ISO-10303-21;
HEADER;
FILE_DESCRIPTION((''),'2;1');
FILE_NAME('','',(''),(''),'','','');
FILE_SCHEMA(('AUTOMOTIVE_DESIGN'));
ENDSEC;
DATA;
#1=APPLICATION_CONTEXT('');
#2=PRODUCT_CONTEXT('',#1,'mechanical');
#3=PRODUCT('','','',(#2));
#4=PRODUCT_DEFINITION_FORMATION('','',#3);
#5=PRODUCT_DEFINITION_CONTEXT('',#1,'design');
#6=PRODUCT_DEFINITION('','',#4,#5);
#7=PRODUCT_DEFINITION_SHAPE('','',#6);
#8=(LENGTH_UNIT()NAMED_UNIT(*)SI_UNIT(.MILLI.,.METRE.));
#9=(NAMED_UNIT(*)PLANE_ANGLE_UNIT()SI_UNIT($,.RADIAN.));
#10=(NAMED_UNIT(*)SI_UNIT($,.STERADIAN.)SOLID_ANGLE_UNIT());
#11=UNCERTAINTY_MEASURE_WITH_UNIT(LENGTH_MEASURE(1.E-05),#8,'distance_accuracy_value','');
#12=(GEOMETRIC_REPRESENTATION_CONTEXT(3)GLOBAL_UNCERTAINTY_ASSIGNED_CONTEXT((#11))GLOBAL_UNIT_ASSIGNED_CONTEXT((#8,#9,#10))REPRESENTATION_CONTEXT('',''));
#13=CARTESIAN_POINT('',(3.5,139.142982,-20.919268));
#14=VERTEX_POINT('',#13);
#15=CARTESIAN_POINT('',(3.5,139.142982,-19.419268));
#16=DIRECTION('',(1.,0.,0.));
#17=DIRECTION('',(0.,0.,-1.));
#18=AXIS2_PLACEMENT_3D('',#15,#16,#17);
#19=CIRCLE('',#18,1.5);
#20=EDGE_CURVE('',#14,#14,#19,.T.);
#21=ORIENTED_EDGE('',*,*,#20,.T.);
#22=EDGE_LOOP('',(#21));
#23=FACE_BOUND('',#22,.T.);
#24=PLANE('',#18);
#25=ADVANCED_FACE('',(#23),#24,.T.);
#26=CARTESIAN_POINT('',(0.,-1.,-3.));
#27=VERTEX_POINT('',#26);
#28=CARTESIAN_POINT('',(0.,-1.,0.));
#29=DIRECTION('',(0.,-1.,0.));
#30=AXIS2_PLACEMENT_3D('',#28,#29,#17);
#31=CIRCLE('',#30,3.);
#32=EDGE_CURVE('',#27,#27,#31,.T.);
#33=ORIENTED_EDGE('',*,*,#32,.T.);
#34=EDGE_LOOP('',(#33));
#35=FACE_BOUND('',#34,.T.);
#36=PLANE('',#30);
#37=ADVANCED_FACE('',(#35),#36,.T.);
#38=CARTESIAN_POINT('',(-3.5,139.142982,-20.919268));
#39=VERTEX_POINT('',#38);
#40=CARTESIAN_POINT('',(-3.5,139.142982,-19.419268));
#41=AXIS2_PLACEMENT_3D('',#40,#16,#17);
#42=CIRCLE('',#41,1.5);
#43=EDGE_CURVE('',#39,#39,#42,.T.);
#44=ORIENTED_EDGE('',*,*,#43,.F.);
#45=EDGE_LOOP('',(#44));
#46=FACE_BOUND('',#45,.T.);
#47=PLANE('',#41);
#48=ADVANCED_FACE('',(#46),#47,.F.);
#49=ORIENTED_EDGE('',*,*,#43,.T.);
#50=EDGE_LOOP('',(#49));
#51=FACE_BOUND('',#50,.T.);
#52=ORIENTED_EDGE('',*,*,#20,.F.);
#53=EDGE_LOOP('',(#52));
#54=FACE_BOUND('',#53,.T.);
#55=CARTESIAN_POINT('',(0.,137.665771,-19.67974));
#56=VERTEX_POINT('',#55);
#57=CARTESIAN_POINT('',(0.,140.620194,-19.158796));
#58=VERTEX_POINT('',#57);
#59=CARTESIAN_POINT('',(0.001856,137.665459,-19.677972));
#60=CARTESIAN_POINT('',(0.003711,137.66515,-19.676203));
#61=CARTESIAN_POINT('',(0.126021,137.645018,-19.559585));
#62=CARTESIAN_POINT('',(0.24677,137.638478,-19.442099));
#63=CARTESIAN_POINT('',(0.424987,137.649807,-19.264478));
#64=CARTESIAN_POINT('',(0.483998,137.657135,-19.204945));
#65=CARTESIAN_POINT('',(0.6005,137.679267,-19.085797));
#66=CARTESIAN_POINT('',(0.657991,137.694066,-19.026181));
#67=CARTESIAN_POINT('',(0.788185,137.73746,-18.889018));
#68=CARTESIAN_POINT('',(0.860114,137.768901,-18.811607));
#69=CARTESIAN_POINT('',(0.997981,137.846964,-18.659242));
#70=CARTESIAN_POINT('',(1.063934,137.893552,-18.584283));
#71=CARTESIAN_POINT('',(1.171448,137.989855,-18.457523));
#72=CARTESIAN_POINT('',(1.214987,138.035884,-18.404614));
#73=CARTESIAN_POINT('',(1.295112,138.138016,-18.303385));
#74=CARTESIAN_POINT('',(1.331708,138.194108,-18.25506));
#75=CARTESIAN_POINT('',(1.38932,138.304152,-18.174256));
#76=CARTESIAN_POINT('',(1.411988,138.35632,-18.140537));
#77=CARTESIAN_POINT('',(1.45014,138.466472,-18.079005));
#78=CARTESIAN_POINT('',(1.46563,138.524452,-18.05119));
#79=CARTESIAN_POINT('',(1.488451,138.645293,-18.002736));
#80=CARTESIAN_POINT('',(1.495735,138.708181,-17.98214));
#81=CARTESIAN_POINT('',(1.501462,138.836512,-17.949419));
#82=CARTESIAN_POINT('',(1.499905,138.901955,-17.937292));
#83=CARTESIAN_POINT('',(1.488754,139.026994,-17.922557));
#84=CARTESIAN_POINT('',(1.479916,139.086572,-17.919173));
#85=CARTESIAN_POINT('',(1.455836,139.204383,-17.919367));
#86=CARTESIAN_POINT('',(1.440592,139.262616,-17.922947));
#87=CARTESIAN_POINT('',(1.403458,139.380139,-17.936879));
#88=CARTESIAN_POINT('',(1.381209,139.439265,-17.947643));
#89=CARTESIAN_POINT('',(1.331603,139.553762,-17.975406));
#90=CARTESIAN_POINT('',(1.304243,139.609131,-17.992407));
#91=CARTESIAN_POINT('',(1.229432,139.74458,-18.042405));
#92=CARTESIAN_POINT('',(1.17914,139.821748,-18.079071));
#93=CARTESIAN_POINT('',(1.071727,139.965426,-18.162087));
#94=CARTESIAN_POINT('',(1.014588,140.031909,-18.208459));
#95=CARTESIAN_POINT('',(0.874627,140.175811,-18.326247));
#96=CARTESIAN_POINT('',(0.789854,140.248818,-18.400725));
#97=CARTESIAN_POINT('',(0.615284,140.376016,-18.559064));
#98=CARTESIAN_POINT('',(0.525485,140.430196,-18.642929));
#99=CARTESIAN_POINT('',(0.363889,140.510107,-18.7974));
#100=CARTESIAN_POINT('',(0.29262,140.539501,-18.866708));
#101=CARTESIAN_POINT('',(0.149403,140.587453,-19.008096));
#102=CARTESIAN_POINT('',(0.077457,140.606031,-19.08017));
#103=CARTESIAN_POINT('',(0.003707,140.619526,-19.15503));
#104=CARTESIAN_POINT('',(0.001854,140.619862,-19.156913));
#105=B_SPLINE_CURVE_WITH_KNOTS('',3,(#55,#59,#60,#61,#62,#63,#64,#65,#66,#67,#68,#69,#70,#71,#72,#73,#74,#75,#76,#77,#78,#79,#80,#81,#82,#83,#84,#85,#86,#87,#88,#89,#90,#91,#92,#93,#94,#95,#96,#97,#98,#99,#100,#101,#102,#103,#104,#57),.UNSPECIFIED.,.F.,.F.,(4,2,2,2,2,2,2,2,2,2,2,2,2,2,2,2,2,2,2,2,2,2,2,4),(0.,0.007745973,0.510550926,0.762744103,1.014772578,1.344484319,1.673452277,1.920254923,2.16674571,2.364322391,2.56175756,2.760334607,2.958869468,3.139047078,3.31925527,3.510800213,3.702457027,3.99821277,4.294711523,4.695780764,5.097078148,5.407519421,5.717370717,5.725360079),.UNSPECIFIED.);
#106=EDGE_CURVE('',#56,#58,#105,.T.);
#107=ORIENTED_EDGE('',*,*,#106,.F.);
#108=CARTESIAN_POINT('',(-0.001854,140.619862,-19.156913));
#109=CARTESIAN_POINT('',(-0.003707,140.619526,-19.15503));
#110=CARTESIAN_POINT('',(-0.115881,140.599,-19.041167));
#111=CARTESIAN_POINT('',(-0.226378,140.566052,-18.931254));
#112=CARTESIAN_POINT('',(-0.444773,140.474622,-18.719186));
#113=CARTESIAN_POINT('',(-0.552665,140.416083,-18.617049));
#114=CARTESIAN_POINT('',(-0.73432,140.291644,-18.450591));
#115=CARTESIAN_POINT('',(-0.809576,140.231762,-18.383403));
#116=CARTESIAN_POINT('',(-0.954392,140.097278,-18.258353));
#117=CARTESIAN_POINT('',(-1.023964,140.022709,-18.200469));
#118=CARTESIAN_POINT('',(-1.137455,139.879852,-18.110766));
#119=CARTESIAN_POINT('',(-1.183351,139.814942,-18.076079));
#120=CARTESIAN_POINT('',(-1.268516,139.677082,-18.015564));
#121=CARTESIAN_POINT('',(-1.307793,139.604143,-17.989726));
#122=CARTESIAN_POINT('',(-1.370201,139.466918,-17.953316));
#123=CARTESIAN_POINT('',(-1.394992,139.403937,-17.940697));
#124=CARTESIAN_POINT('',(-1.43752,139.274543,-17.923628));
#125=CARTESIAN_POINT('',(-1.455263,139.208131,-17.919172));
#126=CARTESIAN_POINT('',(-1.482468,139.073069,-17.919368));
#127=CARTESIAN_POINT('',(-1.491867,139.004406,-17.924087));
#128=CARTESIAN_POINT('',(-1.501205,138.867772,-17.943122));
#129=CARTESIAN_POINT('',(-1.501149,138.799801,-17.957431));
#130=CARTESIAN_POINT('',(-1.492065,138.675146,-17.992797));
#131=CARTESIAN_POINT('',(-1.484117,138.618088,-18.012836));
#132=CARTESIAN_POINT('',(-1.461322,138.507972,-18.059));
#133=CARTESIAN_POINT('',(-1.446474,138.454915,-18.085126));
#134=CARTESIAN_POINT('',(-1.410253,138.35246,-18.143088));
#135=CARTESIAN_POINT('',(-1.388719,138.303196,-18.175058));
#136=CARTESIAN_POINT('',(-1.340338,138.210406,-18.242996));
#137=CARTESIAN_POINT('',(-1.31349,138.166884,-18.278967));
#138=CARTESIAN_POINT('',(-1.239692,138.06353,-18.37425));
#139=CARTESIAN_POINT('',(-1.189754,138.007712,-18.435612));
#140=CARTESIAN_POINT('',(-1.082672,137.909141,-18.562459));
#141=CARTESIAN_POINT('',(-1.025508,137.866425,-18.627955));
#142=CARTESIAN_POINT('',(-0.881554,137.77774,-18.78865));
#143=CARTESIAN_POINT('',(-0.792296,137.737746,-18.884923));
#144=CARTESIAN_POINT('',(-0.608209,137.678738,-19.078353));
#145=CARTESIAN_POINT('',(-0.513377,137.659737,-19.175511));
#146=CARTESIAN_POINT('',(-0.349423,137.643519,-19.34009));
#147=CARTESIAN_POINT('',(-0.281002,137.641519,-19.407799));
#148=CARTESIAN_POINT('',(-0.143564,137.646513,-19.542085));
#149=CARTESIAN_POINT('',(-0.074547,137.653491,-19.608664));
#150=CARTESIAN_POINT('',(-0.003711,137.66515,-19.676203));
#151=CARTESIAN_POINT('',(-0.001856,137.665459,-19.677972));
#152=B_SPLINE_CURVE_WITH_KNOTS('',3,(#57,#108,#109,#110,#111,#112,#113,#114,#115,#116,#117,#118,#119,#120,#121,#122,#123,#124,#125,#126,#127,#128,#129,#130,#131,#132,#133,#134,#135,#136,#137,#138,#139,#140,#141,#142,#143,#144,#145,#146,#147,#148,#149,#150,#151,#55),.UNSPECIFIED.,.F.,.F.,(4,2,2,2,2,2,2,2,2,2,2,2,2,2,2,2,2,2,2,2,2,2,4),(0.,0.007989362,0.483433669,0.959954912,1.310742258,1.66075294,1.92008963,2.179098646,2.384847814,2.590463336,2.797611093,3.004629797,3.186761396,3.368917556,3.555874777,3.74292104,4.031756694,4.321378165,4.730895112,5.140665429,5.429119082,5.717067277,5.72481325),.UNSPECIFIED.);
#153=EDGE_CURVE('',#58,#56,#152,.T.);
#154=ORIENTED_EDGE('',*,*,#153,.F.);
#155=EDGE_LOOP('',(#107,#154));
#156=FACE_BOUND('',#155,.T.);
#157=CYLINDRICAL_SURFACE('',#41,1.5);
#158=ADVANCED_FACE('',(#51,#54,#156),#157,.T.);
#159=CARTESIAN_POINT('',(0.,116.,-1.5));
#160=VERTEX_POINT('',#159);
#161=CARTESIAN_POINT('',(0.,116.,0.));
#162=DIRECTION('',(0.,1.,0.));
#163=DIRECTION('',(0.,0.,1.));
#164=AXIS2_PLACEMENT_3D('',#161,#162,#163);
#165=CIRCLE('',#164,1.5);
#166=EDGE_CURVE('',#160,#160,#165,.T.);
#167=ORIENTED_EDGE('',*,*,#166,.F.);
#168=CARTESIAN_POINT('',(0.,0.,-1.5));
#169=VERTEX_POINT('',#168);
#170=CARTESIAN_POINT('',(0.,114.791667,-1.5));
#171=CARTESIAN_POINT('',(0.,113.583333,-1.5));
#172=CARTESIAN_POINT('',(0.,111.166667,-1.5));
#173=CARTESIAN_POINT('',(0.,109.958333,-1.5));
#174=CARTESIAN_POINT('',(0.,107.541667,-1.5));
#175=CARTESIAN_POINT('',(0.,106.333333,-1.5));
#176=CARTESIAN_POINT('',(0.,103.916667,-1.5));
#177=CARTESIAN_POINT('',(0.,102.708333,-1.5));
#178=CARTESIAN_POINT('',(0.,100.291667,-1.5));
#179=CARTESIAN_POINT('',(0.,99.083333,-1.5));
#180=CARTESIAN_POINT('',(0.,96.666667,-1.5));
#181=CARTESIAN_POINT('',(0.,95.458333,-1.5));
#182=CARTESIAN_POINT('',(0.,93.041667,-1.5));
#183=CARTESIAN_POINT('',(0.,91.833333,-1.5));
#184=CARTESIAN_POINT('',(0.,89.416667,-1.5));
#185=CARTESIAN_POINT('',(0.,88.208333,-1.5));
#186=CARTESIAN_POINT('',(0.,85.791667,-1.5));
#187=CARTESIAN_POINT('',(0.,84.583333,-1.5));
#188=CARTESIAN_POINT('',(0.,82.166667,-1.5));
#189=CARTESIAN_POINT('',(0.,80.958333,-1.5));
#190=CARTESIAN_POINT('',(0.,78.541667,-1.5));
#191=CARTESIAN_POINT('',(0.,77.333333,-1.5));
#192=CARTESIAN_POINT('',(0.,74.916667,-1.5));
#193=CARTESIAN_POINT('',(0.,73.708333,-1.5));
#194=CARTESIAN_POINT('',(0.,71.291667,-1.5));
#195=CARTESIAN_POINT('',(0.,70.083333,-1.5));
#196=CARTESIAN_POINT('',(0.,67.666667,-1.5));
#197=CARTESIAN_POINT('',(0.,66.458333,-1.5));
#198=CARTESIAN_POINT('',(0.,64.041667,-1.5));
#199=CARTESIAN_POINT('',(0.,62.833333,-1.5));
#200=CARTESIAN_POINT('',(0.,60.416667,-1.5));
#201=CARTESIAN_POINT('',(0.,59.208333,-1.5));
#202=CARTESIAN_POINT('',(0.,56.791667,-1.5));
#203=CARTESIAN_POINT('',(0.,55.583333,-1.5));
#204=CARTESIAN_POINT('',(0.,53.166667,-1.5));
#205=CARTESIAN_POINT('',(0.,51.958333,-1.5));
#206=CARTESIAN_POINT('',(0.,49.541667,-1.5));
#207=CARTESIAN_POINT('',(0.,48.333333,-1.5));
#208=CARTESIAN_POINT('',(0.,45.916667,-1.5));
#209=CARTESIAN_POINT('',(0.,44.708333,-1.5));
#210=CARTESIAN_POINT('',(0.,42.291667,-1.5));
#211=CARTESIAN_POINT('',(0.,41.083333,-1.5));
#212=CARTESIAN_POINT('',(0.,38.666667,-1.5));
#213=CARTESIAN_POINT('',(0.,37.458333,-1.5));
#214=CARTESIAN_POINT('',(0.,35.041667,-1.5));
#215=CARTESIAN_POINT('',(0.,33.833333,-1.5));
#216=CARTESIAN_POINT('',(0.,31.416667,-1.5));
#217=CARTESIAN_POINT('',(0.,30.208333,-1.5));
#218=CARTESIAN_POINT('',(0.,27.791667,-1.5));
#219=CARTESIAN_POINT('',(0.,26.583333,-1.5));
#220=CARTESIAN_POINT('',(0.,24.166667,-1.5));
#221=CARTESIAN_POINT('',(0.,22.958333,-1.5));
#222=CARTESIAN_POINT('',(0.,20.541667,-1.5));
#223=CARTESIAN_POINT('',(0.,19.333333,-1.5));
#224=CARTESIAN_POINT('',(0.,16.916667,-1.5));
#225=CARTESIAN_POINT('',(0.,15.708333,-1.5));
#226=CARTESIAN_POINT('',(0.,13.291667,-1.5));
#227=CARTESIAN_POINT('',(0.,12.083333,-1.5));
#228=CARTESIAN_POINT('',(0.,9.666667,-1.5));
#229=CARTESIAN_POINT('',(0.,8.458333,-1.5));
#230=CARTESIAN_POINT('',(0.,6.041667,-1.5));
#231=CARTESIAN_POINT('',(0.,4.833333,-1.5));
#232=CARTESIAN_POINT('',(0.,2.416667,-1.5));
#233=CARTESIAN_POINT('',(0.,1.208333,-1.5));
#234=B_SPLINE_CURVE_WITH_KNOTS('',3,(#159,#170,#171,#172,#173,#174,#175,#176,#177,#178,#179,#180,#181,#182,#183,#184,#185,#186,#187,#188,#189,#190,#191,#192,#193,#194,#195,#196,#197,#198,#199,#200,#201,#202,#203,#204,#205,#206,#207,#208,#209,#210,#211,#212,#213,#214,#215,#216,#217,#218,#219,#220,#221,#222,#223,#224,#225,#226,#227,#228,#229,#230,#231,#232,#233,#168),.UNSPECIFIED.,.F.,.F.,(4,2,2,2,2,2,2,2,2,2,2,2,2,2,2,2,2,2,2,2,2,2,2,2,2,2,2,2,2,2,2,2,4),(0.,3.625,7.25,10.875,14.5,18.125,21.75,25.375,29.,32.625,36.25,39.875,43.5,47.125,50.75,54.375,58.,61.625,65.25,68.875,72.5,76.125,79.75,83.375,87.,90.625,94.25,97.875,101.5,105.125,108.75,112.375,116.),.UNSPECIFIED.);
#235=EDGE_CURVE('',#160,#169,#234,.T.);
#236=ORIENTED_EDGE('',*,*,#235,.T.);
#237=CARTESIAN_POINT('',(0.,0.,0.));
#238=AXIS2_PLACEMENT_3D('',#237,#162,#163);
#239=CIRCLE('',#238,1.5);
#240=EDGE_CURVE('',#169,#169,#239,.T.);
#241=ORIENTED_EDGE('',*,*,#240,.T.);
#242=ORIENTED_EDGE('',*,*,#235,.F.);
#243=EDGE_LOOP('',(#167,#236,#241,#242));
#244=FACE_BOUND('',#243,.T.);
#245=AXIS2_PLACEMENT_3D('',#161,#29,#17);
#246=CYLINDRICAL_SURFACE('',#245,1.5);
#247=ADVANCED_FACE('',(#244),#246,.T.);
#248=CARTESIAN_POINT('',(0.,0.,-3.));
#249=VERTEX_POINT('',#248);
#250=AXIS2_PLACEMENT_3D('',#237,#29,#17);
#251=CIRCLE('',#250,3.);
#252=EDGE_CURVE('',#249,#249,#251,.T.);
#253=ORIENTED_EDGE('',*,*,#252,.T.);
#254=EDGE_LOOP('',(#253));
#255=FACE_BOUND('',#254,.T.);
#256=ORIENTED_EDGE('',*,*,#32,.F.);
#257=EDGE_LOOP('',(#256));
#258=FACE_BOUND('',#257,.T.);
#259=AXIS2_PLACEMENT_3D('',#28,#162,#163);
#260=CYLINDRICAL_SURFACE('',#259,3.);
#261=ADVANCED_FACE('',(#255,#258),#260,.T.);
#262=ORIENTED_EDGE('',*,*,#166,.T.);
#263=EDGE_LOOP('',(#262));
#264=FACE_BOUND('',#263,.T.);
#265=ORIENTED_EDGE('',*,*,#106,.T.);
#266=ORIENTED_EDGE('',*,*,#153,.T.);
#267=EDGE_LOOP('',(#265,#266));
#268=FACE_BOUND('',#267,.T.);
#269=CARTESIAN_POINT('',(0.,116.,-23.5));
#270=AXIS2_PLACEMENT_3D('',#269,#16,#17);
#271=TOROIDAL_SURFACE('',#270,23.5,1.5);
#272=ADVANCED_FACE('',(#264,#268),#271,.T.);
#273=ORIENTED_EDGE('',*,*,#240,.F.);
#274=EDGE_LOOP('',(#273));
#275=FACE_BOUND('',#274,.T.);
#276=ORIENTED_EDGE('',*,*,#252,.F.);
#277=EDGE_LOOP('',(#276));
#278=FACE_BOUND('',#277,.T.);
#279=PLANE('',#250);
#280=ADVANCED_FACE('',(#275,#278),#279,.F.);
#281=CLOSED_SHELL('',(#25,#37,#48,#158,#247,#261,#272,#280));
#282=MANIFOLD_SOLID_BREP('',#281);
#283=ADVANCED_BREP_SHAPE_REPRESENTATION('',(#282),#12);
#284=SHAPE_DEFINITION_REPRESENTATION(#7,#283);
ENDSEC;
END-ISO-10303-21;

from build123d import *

# Parameters (mm, degrees)
SKETCH1_R                = 1.5
BOSS_EXTRUDE1_DEPTH      = 116
SKETCH4_R                = 3
BOSS_EXTRUDE4_DEPTH      = 1
SKETCH7_R                = 1.5000000000000002
REVOLVE1_ANGLE           = 80.00000000000017
BOSS_EXTRUDE5_DEPTH      = 3.5
BOSS_EXTRUDE5_DEPTH_BACK = 3.5
SKETCH8_R                = 1.5000000000000009


with BuildPart() as part:
    # Sketch1 → Boss-Extrude1 (new body)
    with BuildSketch(Plane(origin=(0, 0, 0), x_dir=(1, 0, 0), z_dir=(0, 1, 0))):
        Circle(SKETCH1_R)
    extrude(amount=BOSS_EXTRUDE1_DEPTH)

    # Sketch4 → Boss-Extrude4 (add)
    with BuildSketch(Plane.XZ):
        Circle(SKETCH4_R)
    extrude(amount=BOSS_EXTRUDE4_DEPTH)

    # Sketch7 → Revolve1 (revolve)
    with BuildSketch(Plane(origin=(0, 116, 0), x_dir=(1, 0, 0), z_dir=(0, 1, 0))):
        Circle(SKETCH7_R)
    revolve(axis=Axis((-42.51012264816653, 116, -23.499999999999993), (-1, 0, 8e-17)), revolution_arc=REVOLVE1_ANGLE)

    # Sketch8 → Boss-Extrude5 (add, two sides: drawn at the far end of the back side and taken through both)
    with BuildSketch(Plane(origin=(0, 0, 0), x_dir=(0, 0, -1), z_dir=(1, 0, 0)).offset(-BOSS_EXTRUDE5_DEPTH_BACK)):
        with Locations((19.41926782482721, 139.14298219578689)):
            Circle(SKETCH8_R)
    extrude(amount=BOSS_EXTRUDE5_DEPTH + BOSS_EXTRUDE5_DEPTH_BACK)


solid = part.part
